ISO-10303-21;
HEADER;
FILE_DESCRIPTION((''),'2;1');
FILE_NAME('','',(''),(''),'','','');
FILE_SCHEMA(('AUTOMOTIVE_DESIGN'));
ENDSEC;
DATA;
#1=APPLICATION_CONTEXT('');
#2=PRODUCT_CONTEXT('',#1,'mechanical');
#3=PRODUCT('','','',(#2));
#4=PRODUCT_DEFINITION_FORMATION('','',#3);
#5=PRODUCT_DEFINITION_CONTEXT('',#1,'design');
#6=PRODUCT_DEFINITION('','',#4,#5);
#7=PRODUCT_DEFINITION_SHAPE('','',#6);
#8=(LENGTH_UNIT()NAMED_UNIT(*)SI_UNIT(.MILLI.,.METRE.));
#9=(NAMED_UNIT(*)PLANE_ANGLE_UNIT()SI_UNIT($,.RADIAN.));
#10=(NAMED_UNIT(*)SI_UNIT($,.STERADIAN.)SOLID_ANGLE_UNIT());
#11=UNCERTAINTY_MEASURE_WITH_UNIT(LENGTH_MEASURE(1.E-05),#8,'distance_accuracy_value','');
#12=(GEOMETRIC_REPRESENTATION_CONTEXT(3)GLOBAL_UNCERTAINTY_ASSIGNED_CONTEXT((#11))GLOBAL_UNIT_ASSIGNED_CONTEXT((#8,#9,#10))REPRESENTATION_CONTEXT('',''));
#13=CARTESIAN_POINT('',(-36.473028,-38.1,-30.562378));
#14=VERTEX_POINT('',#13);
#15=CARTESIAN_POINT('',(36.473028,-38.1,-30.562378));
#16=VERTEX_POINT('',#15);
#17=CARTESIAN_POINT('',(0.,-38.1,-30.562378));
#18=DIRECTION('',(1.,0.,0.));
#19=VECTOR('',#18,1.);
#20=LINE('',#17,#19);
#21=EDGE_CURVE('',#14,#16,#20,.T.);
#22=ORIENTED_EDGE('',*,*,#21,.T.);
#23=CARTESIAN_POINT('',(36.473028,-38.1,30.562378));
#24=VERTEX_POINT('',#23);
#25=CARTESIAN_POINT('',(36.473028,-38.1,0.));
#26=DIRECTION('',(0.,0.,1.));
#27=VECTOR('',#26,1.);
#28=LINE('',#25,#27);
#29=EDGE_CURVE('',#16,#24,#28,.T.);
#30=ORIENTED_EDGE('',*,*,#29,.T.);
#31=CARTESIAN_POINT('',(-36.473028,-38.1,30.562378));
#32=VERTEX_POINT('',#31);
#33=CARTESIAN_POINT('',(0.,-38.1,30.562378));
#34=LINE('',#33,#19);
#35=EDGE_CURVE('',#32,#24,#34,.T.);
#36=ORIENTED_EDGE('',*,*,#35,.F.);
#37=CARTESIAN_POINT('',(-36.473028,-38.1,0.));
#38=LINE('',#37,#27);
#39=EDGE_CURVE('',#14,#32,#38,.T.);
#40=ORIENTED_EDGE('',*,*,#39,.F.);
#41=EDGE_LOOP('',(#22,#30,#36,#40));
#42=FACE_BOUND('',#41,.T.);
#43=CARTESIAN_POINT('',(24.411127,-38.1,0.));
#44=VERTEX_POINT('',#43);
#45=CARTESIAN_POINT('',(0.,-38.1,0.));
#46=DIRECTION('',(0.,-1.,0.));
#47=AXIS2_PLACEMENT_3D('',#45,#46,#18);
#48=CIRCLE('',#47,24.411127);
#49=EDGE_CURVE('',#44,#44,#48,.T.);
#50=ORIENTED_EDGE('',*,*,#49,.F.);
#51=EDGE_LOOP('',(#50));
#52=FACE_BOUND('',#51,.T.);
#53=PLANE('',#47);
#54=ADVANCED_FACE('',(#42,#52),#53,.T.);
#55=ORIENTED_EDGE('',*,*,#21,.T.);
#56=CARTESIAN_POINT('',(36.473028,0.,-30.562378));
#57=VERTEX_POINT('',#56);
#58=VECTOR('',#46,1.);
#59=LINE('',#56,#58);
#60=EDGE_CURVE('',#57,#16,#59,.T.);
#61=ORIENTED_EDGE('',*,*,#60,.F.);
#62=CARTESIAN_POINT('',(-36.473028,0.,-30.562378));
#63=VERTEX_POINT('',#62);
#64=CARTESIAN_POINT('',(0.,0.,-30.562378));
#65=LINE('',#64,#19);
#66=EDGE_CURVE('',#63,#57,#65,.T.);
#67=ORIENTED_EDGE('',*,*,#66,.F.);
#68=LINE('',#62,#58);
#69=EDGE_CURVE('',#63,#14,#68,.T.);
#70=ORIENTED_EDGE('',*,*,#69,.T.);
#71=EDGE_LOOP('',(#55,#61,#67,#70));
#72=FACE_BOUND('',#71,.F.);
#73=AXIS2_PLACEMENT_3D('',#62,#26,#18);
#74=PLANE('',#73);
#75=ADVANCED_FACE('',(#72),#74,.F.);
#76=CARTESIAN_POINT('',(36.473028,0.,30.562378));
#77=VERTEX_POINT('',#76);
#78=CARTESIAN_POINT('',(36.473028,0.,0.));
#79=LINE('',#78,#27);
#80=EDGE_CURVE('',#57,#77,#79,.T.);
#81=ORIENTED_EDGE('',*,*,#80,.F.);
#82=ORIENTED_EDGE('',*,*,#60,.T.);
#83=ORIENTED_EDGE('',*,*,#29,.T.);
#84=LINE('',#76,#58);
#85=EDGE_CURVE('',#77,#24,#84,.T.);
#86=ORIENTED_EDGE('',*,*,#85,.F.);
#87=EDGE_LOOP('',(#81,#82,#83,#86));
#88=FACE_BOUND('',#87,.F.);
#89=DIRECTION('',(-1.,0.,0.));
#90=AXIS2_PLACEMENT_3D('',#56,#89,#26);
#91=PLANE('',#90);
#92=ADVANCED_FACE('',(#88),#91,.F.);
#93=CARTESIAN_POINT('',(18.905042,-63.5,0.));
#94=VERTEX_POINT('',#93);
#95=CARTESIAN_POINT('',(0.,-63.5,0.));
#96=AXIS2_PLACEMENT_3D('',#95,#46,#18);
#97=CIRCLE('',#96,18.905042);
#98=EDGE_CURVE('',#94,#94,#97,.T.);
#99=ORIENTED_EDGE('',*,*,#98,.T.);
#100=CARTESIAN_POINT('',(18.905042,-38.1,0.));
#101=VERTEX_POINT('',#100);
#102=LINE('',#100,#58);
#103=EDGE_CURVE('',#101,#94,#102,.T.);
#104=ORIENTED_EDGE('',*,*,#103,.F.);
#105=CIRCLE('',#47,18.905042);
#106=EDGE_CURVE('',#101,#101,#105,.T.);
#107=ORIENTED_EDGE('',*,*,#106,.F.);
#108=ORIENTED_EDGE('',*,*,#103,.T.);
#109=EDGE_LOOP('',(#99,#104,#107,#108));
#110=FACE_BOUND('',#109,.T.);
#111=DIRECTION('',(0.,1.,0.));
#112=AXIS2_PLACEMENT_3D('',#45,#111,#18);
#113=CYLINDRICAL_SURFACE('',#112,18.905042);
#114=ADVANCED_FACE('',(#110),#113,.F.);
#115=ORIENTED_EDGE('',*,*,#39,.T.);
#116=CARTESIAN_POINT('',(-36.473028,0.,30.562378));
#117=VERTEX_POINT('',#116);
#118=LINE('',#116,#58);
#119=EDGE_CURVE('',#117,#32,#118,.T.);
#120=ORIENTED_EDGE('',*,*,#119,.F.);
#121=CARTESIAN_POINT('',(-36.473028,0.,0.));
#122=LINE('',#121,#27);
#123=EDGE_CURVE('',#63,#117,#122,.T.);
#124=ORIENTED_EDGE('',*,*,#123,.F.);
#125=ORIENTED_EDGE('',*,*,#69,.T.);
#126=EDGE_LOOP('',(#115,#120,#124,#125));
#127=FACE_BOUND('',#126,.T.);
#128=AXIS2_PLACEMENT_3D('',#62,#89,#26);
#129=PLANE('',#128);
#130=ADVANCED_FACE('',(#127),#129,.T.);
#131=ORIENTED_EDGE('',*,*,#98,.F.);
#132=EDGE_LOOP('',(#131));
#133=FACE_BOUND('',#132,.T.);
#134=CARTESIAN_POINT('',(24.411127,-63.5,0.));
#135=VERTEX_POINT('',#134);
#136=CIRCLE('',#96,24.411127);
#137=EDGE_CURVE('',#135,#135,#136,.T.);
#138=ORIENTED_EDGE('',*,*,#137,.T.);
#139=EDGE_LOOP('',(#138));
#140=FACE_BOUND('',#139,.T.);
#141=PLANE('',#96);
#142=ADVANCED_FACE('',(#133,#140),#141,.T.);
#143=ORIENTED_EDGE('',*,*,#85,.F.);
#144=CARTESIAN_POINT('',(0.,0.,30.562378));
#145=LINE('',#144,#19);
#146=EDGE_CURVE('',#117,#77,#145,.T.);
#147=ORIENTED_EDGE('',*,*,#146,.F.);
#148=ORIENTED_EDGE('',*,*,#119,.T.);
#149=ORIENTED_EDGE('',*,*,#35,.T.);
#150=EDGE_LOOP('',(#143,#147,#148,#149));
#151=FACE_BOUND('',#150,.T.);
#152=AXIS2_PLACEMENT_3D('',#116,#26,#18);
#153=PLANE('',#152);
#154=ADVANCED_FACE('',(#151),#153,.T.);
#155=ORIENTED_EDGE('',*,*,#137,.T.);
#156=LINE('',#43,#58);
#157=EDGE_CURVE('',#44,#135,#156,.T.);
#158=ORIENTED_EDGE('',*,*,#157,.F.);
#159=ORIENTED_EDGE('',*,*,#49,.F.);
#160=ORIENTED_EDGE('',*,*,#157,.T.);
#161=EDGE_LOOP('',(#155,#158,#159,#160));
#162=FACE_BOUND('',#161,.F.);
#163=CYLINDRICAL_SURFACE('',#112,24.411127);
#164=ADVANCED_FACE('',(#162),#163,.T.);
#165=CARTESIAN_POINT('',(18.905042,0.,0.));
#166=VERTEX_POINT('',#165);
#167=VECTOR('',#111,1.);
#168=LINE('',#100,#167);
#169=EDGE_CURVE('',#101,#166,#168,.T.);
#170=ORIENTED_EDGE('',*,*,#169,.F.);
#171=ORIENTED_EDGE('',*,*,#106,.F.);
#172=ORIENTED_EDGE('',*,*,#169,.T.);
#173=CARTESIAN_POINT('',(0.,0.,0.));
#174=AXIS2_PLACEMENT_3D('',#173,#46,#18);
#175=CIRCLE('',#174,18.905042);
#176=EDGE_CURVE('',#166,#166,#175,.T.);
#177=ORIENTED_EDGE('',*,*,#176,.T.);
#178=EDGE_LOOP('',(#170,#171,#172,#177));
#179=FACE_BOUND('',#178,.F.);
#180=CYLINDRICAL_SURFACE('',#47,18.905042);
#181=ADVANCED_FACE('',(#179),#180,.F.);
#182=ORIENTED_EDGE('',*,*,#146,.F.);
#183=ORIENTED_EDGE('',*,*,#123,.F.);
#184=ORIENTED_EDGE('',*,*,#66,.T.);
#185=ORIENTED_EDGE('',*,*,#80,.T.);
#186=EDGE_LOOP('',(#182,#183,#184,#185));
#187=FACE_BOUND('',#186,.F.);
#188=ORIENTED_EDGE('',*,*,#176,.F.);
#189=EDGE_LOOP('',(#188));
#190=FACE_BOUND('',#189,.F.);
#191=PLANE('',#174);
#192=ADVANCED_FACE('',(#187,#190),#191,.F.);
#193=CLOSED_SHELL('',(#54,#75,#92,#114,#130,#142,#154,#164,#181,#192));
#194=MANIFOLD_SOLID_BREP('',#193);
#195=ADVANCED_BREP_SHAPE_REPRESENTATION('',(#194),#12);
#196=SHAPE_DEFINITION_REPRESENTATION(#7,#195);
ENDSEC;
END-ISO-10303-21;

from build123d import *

# Parameters (mm, degrees)
F0_W     = 72.9460567236
F0_H     = 61.1247569323
F1_DEPTH = 38.1
F2_R     = 18.9050418051
F3_DEPTH = 50.8
F4_R     = 24.4111270382
F4_R_2   = 18.9050418051
F5_DEPTH = 25.4


with BuildPart() as f1:
    # F0 (on Front) → F1 (new body)
    with BuildSketch(Plane.XZ):
        Rectangle(F0_W, F0_H)
    extrude(amount=F1_DEPTH)

    # F2 (on face) → F3 (cut)
    with BuildSketch(Plane.XZ.offset(38.1)):
        Circle(F2_R)
    extrude(amount=-F3_DEPTH, mode=Mode.SUBTRACT)

    # F4 (on face) → F5 (join)
    with BuildSketch(Plane.XZ.offset(38.1)):
        Circle(F4_R)
        Circle(F4_R_2, mode=Mode.SUBTRACT)
    extrude(amount=F5_DEPTH)


solid = f1.part
